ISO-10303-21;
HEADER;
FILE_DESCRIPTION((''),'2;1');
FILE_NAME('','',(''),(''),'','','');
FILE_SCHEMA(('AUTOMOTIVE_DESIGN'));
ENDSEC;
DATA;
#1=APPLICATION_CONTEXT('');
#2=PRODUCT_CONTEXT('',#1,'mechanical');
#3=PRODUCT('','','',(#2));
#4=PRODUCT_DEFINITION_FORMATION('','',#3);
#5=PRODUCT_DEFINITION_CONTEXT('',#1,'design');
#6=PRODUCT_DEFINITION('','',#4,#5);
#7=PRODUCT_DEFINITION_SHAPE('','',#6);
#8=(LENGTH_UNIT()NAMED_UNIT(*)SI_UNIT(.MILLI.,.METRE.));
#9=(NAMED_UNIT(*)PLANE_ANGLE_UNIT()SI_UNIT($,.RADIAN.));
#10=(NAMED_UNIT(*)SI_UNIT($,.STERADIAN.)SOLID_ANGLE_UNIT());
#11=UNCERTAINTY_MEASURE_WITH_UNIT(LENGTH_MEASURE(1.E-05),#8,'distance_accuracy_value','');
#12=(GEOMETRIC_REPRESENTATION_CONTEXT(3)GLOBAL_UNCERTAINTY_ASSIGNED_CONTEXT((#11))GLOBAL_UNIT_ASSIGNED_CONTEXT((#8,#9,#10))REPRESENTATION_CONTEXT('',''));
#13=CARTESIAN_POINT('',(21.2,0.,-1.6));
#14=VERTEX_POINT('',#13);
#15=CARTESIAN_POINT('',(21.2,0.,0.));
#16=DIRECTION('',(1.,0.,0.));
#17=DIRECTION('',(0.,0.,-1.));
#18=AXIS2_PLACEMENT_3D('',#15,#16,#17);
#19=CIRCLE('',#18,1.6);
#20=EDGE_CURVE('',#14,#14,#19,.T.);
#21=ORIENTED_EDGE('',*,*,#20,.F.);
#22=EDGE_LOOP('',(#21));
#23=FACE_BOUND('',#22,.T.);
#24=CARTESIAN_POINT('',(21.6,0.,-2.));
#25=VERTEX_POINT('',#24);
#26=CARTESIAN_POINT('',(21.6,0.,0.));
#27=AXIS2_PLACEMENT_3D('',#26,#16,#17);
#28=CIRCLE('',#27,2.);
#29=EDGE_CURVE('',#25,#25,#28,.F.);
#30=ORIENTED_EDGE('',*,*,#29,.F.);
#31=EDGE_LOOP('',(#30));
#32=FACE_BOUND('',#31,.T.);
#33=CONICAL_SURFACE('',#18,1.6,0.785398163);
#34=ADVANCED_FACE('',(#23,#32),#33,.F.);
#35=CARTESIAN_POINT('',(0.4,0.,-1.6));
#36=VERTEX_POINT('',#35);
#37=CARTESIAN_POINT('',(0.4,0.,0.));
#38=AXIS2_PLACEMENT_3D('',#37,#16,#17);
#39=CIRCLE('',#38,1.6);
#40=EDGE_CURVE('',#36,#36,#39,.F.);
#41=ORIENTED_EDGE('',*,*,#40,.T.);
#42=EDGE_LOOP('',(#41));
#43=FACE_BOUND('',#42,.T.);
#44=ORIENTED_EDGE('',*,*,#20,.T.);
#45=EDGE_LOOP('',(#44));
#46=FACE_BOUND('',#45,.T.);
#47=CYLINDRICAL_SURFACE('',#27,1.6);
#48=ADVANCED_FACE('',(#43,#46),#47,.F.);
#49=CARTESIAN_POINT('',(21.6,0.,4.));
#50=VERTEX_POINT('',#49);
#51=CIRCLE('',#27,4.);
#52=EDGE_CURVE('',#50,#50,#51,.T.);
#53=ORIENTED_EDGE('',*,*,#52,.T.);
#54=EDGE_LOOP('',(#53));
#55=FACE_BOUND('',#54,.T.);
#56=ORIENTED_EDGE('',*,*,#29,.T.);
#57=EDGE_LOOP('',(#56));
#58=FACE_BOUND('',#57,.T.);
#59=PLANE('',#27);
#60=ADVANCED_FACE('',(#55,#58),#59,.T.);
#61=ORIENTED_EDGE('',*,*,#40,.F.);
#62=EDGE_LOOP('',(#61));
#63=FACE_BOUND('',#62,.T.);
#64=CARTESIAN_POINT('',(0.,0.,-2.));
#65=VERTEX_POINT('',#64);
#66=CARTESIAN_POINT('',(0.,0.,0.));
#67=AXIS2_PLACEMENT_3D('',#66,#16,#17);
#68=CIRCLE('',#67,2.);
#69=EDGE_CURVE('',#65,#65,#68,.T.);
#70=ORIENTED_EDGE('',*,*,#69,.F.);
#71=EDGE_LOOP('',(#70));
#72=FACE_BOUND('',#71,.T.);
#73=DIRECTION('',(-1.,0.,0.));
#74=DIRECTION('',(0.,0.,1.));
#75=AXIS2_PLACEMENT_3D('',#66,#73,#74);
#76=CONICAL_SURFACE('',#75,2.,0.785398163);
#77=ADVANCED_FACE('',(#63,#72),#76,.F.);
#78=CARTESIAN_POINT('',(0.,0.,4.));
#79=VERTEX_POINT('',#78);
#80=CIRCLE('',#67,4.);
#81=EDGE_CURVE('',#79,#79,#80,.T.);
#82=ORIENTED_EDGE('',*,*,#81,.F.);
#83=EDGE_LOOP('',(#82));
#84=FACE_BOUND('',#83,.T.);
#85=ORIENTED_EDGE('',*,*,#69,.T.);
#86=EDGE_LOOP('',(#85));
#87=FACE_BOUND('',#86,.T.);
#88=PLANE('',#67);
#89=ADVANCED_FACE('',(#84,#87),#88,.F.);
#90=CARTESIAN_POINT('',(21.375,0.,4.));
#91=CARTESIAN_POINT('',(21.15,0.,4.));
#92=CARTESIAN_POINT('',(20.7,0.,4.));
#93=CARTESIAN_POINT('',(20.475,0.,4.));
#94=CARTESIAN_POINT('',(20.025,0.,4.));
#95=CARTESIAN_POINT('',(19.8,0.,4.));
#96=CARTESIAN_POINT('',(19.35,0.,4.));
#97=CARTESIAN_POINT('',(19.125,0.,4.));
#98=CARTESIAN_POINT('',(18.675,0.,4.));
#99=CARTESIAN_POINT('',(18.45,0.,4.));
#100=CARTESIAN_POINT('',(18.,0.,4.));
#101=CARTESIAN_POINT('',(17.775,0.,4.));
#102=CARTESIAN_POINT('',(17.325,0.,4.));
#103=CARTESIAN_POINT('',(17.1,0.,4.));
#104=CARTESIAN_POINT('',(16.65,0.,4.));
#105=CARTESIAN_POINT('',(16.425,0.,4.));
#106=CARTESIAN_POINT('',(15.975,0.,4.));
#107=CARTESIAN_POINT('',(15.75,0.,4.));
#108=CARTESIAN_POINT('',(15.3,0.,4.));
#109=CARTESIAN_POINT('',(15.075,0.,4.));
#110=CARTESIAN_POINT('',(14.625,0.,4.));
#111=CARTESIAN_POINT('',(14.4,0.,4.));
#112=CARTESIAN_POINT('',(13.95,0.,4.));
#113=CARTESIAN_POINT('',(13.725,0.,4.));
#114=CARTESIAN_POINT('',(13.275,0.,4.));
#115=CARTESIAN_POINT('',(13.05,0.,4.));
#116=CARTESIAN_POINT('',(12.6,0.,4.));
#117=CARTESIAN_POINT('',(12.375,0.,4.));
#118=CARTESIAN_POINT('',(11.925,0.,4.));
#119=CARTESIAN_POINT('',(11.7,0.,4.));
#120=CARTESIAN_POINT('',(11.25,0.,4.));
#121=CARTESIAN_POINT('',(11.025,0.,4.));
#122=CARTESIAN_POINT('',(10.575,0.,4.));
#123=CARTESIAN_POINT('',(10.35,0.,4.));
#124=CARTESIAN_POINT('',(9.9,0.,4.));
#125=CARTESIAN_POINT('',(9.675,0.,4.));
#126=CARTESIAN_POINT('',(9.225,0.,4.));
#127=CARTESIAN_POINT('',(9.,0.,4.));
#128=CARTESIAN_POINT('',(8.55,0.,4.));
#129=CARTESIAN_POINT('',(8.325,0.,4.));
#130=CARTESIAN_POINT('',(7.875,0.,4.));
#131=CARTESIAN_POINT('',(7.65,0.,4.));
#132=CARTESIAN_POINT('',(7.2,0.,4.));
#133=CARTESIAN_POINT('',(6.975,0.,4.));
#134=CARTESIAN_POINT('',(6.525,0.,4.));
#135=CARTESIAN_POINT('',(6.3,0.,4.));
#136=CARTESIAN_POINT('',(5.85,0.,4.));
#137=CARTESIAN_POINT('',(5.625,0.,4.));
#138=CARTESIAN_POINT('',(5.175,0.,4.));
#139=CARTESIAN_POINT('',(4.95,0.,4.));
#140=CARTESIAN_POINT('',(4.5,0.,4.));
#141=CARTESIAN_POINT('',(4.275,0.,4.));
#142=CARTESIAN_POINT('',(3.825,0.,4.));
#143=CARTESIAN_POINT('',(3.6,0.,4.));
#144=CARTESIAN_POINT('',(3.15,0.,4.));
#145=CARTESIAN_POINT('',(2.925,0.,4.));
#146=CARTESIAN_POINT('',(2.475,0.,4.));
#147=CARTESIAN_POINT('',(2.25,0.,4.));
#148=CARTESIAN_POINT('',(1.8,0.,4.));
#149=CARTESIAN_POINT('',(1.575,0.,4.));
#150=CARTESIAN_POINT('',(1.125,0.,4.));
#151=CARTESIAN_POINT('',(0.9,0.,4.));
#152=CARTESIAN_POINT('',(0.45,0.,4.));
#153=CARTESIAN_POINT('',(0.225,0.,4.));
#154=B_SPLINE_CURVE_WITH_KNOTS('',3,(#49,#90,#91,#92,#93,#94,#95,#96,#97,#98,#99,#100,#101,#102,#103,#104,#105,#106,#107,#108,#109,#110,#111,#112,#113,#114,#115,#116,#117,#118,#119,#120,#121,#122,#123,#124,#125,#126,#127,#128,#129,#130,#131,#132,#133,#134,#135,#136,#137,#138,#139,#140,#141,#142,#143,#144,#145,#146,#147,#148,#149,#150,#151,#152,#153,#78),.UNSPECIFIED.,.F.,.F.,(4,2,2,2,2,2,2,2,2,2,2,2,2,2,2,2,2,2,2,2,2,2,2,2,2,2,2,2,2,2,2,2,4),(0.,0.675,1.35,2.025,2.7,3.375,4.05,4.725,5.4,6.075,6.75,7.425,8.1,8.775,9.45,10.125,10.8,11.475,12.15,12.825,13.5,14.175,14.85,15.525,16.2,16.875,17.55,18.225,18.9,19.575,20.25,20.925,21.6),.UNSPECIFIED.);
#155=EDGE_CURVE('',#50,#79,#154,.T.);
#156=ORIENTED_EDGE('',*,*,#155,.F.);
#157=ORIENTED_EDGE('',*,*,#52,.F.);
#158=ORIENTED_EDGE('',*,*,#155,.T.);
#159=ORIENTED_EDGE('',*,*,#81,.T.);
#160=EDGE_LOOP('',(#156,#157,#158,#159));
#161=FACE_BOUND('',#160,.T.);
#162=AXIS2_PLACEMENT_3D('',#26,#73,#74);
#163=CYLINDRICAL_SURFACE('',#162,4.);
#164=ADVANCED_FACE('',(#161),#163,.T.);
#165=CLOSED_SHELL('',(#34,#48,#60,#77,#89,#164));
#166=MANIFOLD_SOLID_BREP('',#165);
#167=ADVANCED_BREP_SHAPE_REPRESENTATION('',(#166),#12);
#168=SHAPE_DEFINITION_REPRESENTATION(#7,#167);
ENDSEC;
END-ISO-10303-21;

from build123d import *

# Parameters (mm, degrees)
SKIZZE1_R                        = 4
AUFSATZ_LINEAR_AUSTRAGEN1_DEPTH  = 21.6
F_3_2_3_2_DURCHMESSER_BOHRUNG1_D = 3.2
FASE1_SIZE                       = 0.4


with BuildPart() as part:
    # Skizze1 → Aufsatz-Linear austragen1 (new body)
    with BuildSketch(Plane(origin=(0, 0, 0), x_dir=(0, 0, -1), z_dir=(1, 0, 0))):
        with Locations(Location((0, 0, 0), (0, 0, 180))):
            Circle(SKIZZE1_R)
    extrude(amount=AUFSATZ_LINEAR_AUSTRAGEN1_DEPTH)

    # Ø3.2 (3.2) Durchmesser Bohrung1 (through all)
    with Locations(Plane(origin=(21.6, 0, 0), x_dir=(0, 0, -1), z_dir=(1, 0, 0))):
        with Locations((0, 0)):
            Hole(F_3_2_3_2_DURCHMESSER_BOHRUNG1_D / 2)

    # Fase1
    fase1_edges = [part.edges().sort_by_distance(p)[0] for p in [
        (21.6, 0, -1.6),
        (0, 0, -1.6),
    ]]
    chamfer(fase1_edges, length=FASE1_SIZE)


solid = part.part
